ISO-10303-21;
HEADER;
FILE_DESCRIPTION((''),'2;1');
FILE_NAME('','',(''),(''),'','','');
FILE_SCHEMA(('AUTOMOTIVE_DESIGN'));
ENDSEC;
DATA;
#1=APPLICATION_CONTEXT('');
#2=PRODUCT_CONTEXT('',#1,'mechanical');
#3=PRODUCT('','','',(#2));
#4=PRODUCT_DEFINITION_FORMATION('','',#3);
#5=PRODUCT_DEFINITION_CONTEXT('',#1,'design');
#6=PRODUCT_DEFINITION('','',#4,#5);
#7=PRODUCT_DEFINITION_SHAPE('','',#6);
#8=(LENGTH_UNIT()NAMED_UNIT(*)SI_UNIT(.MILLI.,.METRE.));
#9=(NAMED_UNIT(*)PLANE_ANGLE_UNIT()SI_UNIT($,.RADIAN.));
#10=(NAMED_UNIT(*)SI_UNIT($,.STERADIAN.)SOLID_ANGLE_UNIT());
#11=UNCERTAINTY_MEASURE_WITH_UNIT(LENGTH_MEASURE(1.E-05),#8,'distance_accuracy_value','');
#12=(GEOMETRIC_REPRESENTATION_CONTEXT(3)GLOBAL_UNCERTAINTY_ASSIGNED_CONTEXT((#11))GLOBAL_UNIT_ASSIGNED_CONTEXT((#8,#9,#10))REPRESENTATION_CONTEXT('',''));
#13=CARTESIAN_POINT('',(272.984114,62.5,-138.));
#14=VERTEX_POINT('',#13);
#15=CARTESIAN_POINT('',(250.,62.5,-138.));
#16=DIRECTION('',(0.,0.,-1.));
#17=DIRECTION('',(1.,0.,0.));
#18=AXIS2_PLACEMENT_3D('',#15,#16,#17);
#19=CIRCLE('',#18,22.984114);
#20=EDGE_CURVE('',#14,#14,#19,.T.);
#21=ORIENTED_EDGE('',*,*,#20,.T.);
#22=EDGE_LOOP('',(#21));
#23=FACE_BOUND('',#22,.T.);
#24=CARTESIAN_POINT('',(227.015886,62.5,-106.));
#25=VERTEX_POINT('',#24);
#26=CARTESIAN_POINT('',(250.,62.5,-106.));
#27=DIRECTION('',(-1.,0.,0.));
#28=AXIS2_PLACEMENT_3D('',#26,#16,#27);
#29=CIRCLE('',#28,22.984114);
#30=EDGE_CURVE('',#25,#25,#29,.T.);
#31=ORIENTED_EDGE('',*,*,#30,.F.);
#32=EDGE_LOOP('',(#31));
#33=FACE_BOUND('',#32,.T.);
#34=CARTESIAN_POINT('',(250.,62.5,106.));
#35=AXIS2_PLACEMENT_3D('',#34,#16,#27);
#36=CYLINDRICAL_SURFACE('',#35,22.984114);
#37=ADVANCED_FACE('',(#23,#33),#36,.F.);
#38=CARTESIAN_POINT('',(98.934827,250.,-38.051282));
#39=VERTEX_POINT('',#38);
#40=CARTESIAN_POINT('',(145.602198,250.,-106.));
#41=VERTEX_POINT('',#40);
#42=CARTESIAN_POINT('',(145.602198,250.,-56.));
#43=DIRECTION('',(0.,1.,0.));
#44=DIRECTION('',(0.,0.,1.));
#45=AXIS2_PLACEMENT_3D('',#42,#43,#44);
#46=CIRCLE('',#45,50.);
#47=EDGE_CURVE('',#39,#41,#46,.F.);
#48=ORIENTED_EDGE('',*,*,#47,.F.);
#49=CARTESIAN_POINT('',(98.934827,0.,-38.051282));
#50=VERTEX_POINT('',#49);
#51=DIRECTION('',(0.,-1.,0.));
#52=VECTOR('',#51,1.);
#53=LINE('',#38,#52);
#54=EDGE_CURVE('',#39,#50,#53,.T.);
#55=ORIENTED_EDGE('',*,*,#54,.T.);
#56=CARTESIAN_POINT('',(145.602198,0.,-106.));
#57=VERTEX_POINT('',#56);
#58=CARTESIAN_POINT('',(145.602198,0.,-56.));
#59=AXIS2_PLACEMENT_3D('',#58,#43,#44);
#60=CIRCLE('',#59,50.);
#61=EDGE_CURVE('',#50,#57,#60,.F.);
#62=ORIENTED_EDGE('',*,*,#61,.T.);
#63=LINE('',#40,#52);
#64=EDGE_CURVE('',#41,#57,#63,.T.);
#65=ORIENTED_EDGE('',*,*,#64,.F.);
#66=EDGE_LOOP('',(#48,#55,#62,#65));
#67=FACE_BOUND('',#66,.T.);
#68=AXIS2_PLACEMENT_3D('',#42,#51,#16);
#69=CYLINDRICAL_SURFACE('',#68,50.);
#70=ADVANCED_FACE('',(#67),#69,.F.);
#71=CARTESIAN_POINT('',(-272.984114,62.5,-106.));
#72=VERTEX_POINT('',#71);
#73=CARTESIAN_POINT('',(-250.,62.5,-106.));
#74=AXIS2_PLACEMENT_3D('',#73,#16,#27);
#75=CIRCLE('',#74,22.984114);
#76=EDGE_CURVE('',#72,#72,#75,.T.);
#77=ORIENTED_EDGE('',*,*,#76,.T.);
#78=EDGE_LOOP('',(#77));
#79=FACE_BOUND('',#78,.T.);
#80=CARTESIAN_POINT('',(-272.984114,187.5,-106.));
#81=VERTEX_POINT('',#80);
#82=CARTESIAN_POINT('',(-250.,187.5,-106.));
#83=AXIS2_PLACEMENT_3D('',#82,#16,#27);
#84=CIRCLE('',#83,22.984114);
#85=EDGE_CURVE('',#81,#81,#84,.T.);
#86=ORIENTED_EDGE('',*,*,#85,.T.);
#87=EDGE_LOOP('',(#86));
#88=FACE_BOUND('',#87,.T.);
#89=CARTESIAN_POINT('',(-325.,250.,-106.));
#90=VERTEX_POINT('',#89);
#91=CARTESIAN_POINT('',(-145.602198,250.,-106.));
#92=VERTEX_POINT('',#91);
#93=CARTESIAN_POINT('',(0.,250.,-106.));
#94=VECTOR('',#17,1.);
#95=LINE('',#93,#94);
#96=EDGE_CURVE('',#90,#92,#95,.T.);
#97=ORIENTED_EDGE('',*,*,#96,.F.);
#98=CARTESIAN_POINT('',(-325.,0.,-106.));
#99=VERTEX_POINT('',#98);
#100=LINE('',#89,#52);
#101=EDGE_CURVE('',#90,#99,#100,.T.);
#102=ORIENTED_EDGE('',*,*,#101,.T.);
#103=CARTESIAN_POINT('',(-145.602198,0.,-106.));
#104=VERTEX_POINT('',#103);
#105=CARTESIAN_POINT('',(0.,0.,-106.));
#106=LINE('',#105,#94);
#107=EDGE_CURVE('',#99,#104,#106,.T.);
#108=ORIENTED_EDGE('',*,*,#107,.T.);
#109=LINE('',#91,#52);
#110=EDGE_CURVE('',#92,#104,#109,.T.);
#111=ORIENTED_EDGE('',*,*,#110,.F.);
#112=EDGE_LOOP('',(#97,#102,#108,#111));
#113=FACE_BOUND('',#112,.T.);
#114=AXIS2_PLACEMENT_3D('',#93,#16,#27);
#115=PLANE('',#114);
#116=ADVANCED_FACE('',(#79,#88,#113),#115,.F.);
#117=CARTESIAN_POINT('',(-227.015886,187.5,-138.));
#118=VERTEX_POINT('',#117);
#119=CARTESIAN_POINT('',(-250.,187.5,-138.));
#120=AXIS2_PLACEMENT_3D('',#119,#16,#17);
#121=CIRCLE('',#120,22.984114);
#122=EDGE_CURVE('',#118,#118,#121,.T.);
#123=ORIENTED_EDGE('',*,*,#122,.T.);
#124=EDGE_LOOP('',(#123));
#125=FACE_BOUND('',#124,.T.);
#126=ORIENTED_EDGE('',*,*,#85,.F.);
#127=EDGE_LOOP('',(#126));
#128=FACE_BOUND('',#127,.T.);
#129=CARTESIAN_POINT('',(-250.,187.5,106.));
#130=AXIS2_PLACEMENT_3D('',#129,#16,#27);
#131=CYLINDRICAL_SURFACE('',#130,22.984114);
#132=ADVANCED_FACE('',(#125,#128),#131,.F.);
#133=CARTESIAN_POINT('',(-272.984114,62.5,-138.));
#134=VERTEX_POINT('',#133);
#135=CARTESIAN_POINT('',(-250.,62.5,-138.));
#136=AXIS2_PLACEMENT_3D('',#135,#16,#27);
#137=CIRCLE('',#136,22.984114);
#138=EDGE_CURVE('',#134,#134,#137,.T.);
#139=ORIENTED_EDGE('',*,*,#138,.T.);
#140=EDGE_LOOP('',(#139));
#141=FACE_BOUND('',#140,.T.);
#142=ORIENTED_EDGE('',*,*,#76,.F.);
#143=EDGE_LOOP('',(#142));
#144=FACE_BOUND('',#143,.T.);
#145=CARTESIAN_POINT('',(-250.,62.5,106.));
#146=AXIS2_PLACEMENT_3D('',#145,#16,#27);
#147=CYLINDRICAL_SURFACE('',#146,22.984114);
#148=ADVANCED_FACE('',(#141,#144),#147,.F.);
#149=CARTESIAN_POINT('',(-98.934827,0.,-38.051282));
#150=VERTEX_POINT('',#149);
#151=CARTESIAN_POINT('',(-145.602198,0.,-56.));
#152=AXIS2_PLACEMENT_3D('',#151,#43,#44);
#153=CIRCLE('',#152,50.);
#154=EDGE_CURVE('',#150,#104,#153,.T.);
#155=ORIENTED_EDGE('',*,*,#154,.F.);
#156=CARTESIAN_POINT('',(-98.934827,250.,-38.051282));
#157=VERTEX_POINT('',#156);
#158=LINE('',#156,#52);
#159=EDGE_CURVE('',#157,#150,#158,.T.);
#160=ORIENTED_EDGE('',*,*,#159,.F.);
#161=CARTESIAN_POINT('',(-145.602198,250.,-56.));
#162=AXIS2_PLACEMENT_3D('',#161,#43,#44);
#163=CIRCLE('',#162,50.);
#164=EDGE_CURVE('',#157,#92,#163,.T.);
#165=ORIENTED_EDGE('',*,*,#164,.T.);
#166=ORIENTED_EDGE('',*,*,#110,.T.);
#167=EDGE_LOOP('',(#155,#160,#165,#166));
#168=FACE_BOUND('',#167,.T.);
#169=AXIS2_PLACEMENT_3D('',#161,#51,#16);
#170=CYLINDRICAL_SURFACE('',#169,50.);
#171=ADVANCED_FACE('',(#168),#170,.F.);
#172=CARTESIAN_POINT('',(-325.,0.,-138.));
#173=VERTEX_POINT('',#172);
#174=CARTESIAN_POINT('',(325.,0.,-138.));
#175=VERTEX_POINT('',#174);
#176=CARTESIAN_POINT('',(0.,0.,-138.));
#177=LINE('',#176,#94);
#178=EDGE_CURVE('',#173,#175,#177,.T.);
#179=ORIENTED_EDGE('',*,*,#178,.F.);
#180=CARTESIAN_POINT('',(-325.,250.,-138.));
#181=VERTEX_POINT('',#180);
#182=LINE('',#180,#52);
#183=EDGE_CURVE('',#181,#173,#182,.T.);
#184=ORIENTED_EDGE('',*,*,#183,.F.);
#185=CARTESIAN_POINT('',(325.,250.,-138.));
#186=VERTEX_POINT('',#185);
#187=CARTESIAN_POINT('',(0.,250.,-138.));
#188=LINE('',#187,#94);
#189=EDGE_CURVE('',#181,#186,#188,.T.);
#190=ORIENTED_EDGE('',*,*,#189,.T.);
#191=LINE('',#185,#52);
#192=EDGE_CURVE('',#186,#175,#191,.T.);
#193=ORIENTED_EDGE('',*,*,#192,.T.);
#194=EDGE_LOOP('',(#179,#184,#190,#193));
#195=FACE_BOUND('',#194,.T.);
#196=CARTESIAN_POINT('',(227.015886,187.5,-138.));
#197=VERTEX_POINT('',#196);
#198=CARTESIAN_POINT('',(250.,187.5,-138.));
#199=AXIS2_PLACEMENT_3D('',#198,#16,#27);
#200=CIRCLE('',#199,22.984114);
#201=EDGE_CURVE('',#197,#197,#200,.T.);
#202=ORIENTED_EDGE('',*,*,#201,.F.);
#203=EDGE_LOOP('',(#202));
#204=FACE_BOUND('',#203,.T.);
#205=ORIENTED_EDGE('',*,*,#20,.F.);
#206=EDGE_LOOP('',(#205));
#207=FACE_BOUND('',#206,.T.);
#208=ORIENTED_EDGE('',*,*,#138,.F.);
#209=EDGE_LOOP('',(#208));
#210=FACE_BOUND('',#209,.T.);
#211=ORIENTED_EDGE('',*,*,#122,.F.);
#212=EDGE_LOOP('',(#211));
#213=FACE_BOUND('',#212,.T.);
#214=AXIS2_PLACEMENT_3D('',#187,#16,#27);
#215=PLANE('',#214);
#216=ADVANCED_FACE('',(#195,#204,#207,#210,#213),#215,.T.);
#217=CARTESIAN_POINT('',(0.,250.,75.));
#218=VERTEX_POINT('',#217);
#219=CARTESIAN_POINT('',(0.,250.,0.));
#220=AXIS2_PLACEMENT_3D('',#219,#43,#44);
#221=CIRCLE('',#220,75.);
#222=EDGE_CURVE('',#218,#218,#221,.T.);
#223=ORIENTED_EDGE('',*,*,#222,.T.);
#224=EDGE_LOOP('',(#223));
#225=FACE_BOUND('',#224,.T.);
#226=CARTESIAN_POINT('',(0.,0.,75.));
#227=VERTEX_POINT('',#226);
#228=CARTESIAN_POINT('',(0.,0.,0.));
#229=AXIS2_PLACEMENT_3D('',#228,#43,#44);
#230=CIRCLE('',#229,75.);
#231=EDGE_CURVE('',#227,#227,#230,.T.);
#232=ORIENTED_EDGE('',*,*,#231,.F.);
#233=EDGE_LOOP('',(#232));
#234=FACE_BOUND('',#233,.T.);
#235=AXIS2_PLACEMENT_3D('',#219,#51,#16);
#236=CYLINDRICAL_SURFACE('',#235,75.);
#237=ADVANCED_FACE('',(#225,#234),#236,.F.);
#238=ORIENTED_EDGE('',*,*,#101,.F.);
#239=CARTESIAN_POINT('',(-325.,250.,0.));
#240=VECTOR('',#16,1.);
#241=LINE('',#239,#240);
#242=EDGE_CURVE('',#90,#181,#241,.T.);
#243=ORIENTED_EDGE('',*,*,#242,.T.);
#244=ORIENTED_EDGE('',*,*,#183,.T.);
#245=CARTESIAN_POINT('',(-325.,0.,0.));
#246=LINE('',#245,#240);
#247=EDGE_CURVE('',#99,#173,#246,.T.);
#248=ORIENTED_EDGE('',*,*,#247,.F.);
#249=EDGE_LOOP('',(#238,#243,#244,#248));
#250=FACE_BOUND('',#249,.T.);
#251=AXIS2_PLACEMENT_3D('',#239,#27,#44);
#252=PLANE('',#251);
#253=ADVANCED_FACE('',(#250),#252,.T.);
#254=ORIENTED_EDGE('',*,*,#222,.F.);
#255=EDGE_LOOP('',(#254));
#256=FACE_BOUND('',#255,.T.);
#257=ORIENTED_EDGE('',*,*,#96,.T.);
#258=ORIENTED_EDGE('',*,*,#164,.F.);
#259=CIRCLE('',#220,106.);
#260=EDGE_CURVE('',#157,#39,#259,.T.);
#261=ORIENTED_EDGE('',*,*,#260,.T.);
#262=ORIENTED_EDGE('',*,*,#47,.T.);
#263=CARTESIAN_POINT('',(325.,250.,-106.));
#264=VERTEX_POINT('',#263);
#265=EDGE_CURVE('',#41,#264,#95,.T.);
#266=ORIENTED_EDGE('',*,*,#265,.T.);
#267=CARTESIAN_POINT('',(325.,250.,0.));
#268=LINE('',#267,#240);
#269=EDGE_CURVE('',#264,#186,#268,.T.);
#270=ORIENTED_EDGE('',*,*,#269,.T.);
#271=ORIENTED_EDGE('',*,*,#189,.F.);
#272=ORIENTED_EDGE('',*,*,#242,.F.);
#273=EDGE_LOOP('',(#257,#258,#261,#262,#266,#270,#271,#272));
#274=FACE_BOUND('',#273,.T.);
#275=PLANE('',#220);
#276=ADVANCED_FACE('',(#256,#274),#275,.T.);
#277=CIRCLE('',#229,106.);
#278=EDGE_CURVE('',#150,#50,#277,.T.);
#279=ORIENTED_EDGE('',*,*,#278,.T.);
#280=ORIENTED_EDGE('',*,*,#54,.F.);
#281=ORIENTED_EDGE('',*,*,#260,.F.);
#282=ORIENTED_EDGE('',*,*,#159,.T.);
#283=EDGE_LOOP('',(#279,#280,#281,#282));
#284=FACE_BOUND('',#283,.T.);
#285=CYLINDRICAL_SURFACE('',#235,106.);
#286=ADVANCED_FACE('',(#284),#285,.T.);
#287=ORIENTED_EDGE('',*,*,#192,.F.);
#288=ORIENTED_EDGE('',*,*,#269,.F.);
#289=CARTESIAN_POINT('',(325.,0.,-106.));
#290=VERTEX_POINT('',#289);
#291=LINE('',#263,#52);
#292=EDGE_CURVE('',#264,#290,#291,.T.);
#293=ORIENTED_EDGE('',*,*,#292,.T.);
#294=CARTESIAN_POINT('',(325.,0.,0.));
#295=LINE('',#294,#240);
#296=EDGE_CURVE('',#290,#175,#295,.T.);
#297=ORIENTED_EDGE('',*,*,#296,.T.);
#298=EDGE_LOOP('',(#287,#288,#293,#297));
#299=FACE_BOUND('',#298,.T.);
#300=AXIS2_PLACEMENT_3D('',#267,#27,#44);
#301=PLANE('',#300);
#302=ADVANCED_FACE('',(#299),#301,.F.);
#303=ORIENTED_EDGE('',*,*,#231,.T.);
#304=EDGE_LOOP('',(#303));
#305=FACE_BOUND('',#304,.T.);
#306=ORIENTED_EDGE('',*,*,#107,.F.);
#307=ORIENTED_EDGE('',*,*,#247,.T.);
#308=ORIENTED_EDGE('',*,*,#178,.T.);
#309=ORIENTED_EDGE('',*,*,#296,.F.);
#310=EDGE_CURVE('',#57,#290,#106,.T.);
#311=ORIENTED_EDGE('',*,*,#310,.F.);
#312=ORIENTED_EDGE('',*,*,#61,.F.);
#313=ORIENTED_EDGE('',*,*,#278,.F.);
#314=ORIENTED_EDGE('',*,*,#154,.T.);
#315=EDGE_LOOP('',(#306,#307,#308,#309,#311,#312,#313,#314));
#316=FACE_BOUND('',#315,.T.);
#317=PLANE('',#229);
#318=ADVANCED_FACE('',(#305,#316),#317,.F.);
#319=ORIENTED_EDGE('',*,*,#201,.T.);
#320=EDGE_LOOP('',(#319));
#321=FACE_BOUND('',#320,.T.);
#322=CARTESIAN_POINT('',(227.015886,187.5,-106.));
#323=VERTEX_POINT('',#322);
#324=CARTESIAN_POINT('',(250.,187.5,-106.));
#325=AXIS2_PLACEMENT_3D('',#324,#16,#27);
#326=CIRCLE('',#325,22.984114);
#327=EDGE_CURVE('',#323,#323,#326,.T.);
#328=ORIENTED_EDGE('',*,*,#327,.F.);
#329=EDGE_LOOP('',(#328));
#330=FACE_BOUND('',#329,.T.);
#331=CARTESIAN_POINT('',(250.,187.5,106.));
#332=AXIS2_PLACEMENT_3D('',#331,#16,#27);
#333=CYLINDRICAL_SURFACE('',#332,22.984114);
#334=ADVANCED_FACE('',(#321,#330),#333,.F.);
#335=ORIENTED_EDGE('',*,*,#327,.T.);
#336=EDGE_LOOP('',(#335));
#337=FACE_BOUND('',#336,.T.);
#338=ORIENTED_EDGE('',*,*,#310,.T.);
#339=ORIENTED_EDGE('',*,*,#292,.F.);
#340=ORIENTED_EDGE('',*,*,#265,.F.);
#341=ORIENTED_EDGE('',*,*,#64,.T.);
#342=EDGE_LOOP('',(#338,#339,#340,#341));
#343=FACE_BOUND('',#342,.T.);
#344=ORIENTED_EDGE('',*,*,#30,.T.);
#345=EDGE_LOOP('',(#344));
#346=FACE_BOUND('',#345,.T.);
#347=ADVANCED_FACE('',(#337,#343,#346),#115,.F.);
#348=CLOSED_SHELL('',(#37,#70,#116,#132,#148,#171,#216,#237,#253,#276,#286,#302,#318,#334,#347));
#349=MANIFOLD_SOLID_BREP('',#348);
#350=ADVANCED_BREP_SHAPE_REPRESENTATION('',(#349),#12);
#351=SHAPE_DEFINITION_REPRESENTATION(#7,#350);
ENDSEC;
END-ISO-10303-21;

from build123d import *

# Parameters (mm, degrees)
SKETCH3_R           = 75
BOSS_EXTRUDE1_DEPTH = 250
SKETCH4_R           = 22.984114262
CUT_EXTRUDE1_DEPTH  = 478.138344718


with BuildPart() as part:
    # Sketch3 → Boss-Extrude1 (new body)
    with BuildSketch(Plane(origin=(0, 0, 0), x_dir=(1, 0, 0), z_dir=(0, 1, 0))):
        with BuildLine():
            Line((-325, 138), (-325, 106))
            Line((-325, 106), (-145.602197786, 106))
            ThreePointArc((-145.602197786, 106), (-104.386691617, 84.306925854), (-98.9348267, 38.051282051))
            ThreePointArc((-98.9348267, 38.051282051), (0, -106), (98.9348267, 38.051282051))
            ThreePointArc((98.9348267, 38.051282051), (104.386691617, 84.306925854), (145.602197786, 106))
            Line((145.602197786, 106), (325, 106))
            Line((325, 106), (325, 138))
            Line((325, 138), (-325, 138))
        make_face()
        with Locations(Location((0, 0, 0), (0, 0, 270))):
            Circle(SKETCH3_R, mode=Mode.SUBTRACT)
    extrude(amount=BOSS_EXTRUDE1_DEPTH)

    # Sketch4 → Cut-Extrude1 (cut, through all)
    with BuildSketch(Plane(origin=(0, 0, -138), x_dir=(-1, 0, 0), z_dir=(0, 0, -1))):
        with Locations((-250, 187.5)):
            Circle(SKETCH4_R)
        with Locations((250, 187.5)):
            Circle(SKETCH4_R)
        with Locations((250, 62.5)):
            Circle(SKETCH4_R)
        with Locations((-250, 62.5)):
            Circle(SKETCH4_R)
    extrude(amount=-CUT_EXTRUDE1_DEPTH, mode=Mode.SUBTRACT)


solid = part.part
